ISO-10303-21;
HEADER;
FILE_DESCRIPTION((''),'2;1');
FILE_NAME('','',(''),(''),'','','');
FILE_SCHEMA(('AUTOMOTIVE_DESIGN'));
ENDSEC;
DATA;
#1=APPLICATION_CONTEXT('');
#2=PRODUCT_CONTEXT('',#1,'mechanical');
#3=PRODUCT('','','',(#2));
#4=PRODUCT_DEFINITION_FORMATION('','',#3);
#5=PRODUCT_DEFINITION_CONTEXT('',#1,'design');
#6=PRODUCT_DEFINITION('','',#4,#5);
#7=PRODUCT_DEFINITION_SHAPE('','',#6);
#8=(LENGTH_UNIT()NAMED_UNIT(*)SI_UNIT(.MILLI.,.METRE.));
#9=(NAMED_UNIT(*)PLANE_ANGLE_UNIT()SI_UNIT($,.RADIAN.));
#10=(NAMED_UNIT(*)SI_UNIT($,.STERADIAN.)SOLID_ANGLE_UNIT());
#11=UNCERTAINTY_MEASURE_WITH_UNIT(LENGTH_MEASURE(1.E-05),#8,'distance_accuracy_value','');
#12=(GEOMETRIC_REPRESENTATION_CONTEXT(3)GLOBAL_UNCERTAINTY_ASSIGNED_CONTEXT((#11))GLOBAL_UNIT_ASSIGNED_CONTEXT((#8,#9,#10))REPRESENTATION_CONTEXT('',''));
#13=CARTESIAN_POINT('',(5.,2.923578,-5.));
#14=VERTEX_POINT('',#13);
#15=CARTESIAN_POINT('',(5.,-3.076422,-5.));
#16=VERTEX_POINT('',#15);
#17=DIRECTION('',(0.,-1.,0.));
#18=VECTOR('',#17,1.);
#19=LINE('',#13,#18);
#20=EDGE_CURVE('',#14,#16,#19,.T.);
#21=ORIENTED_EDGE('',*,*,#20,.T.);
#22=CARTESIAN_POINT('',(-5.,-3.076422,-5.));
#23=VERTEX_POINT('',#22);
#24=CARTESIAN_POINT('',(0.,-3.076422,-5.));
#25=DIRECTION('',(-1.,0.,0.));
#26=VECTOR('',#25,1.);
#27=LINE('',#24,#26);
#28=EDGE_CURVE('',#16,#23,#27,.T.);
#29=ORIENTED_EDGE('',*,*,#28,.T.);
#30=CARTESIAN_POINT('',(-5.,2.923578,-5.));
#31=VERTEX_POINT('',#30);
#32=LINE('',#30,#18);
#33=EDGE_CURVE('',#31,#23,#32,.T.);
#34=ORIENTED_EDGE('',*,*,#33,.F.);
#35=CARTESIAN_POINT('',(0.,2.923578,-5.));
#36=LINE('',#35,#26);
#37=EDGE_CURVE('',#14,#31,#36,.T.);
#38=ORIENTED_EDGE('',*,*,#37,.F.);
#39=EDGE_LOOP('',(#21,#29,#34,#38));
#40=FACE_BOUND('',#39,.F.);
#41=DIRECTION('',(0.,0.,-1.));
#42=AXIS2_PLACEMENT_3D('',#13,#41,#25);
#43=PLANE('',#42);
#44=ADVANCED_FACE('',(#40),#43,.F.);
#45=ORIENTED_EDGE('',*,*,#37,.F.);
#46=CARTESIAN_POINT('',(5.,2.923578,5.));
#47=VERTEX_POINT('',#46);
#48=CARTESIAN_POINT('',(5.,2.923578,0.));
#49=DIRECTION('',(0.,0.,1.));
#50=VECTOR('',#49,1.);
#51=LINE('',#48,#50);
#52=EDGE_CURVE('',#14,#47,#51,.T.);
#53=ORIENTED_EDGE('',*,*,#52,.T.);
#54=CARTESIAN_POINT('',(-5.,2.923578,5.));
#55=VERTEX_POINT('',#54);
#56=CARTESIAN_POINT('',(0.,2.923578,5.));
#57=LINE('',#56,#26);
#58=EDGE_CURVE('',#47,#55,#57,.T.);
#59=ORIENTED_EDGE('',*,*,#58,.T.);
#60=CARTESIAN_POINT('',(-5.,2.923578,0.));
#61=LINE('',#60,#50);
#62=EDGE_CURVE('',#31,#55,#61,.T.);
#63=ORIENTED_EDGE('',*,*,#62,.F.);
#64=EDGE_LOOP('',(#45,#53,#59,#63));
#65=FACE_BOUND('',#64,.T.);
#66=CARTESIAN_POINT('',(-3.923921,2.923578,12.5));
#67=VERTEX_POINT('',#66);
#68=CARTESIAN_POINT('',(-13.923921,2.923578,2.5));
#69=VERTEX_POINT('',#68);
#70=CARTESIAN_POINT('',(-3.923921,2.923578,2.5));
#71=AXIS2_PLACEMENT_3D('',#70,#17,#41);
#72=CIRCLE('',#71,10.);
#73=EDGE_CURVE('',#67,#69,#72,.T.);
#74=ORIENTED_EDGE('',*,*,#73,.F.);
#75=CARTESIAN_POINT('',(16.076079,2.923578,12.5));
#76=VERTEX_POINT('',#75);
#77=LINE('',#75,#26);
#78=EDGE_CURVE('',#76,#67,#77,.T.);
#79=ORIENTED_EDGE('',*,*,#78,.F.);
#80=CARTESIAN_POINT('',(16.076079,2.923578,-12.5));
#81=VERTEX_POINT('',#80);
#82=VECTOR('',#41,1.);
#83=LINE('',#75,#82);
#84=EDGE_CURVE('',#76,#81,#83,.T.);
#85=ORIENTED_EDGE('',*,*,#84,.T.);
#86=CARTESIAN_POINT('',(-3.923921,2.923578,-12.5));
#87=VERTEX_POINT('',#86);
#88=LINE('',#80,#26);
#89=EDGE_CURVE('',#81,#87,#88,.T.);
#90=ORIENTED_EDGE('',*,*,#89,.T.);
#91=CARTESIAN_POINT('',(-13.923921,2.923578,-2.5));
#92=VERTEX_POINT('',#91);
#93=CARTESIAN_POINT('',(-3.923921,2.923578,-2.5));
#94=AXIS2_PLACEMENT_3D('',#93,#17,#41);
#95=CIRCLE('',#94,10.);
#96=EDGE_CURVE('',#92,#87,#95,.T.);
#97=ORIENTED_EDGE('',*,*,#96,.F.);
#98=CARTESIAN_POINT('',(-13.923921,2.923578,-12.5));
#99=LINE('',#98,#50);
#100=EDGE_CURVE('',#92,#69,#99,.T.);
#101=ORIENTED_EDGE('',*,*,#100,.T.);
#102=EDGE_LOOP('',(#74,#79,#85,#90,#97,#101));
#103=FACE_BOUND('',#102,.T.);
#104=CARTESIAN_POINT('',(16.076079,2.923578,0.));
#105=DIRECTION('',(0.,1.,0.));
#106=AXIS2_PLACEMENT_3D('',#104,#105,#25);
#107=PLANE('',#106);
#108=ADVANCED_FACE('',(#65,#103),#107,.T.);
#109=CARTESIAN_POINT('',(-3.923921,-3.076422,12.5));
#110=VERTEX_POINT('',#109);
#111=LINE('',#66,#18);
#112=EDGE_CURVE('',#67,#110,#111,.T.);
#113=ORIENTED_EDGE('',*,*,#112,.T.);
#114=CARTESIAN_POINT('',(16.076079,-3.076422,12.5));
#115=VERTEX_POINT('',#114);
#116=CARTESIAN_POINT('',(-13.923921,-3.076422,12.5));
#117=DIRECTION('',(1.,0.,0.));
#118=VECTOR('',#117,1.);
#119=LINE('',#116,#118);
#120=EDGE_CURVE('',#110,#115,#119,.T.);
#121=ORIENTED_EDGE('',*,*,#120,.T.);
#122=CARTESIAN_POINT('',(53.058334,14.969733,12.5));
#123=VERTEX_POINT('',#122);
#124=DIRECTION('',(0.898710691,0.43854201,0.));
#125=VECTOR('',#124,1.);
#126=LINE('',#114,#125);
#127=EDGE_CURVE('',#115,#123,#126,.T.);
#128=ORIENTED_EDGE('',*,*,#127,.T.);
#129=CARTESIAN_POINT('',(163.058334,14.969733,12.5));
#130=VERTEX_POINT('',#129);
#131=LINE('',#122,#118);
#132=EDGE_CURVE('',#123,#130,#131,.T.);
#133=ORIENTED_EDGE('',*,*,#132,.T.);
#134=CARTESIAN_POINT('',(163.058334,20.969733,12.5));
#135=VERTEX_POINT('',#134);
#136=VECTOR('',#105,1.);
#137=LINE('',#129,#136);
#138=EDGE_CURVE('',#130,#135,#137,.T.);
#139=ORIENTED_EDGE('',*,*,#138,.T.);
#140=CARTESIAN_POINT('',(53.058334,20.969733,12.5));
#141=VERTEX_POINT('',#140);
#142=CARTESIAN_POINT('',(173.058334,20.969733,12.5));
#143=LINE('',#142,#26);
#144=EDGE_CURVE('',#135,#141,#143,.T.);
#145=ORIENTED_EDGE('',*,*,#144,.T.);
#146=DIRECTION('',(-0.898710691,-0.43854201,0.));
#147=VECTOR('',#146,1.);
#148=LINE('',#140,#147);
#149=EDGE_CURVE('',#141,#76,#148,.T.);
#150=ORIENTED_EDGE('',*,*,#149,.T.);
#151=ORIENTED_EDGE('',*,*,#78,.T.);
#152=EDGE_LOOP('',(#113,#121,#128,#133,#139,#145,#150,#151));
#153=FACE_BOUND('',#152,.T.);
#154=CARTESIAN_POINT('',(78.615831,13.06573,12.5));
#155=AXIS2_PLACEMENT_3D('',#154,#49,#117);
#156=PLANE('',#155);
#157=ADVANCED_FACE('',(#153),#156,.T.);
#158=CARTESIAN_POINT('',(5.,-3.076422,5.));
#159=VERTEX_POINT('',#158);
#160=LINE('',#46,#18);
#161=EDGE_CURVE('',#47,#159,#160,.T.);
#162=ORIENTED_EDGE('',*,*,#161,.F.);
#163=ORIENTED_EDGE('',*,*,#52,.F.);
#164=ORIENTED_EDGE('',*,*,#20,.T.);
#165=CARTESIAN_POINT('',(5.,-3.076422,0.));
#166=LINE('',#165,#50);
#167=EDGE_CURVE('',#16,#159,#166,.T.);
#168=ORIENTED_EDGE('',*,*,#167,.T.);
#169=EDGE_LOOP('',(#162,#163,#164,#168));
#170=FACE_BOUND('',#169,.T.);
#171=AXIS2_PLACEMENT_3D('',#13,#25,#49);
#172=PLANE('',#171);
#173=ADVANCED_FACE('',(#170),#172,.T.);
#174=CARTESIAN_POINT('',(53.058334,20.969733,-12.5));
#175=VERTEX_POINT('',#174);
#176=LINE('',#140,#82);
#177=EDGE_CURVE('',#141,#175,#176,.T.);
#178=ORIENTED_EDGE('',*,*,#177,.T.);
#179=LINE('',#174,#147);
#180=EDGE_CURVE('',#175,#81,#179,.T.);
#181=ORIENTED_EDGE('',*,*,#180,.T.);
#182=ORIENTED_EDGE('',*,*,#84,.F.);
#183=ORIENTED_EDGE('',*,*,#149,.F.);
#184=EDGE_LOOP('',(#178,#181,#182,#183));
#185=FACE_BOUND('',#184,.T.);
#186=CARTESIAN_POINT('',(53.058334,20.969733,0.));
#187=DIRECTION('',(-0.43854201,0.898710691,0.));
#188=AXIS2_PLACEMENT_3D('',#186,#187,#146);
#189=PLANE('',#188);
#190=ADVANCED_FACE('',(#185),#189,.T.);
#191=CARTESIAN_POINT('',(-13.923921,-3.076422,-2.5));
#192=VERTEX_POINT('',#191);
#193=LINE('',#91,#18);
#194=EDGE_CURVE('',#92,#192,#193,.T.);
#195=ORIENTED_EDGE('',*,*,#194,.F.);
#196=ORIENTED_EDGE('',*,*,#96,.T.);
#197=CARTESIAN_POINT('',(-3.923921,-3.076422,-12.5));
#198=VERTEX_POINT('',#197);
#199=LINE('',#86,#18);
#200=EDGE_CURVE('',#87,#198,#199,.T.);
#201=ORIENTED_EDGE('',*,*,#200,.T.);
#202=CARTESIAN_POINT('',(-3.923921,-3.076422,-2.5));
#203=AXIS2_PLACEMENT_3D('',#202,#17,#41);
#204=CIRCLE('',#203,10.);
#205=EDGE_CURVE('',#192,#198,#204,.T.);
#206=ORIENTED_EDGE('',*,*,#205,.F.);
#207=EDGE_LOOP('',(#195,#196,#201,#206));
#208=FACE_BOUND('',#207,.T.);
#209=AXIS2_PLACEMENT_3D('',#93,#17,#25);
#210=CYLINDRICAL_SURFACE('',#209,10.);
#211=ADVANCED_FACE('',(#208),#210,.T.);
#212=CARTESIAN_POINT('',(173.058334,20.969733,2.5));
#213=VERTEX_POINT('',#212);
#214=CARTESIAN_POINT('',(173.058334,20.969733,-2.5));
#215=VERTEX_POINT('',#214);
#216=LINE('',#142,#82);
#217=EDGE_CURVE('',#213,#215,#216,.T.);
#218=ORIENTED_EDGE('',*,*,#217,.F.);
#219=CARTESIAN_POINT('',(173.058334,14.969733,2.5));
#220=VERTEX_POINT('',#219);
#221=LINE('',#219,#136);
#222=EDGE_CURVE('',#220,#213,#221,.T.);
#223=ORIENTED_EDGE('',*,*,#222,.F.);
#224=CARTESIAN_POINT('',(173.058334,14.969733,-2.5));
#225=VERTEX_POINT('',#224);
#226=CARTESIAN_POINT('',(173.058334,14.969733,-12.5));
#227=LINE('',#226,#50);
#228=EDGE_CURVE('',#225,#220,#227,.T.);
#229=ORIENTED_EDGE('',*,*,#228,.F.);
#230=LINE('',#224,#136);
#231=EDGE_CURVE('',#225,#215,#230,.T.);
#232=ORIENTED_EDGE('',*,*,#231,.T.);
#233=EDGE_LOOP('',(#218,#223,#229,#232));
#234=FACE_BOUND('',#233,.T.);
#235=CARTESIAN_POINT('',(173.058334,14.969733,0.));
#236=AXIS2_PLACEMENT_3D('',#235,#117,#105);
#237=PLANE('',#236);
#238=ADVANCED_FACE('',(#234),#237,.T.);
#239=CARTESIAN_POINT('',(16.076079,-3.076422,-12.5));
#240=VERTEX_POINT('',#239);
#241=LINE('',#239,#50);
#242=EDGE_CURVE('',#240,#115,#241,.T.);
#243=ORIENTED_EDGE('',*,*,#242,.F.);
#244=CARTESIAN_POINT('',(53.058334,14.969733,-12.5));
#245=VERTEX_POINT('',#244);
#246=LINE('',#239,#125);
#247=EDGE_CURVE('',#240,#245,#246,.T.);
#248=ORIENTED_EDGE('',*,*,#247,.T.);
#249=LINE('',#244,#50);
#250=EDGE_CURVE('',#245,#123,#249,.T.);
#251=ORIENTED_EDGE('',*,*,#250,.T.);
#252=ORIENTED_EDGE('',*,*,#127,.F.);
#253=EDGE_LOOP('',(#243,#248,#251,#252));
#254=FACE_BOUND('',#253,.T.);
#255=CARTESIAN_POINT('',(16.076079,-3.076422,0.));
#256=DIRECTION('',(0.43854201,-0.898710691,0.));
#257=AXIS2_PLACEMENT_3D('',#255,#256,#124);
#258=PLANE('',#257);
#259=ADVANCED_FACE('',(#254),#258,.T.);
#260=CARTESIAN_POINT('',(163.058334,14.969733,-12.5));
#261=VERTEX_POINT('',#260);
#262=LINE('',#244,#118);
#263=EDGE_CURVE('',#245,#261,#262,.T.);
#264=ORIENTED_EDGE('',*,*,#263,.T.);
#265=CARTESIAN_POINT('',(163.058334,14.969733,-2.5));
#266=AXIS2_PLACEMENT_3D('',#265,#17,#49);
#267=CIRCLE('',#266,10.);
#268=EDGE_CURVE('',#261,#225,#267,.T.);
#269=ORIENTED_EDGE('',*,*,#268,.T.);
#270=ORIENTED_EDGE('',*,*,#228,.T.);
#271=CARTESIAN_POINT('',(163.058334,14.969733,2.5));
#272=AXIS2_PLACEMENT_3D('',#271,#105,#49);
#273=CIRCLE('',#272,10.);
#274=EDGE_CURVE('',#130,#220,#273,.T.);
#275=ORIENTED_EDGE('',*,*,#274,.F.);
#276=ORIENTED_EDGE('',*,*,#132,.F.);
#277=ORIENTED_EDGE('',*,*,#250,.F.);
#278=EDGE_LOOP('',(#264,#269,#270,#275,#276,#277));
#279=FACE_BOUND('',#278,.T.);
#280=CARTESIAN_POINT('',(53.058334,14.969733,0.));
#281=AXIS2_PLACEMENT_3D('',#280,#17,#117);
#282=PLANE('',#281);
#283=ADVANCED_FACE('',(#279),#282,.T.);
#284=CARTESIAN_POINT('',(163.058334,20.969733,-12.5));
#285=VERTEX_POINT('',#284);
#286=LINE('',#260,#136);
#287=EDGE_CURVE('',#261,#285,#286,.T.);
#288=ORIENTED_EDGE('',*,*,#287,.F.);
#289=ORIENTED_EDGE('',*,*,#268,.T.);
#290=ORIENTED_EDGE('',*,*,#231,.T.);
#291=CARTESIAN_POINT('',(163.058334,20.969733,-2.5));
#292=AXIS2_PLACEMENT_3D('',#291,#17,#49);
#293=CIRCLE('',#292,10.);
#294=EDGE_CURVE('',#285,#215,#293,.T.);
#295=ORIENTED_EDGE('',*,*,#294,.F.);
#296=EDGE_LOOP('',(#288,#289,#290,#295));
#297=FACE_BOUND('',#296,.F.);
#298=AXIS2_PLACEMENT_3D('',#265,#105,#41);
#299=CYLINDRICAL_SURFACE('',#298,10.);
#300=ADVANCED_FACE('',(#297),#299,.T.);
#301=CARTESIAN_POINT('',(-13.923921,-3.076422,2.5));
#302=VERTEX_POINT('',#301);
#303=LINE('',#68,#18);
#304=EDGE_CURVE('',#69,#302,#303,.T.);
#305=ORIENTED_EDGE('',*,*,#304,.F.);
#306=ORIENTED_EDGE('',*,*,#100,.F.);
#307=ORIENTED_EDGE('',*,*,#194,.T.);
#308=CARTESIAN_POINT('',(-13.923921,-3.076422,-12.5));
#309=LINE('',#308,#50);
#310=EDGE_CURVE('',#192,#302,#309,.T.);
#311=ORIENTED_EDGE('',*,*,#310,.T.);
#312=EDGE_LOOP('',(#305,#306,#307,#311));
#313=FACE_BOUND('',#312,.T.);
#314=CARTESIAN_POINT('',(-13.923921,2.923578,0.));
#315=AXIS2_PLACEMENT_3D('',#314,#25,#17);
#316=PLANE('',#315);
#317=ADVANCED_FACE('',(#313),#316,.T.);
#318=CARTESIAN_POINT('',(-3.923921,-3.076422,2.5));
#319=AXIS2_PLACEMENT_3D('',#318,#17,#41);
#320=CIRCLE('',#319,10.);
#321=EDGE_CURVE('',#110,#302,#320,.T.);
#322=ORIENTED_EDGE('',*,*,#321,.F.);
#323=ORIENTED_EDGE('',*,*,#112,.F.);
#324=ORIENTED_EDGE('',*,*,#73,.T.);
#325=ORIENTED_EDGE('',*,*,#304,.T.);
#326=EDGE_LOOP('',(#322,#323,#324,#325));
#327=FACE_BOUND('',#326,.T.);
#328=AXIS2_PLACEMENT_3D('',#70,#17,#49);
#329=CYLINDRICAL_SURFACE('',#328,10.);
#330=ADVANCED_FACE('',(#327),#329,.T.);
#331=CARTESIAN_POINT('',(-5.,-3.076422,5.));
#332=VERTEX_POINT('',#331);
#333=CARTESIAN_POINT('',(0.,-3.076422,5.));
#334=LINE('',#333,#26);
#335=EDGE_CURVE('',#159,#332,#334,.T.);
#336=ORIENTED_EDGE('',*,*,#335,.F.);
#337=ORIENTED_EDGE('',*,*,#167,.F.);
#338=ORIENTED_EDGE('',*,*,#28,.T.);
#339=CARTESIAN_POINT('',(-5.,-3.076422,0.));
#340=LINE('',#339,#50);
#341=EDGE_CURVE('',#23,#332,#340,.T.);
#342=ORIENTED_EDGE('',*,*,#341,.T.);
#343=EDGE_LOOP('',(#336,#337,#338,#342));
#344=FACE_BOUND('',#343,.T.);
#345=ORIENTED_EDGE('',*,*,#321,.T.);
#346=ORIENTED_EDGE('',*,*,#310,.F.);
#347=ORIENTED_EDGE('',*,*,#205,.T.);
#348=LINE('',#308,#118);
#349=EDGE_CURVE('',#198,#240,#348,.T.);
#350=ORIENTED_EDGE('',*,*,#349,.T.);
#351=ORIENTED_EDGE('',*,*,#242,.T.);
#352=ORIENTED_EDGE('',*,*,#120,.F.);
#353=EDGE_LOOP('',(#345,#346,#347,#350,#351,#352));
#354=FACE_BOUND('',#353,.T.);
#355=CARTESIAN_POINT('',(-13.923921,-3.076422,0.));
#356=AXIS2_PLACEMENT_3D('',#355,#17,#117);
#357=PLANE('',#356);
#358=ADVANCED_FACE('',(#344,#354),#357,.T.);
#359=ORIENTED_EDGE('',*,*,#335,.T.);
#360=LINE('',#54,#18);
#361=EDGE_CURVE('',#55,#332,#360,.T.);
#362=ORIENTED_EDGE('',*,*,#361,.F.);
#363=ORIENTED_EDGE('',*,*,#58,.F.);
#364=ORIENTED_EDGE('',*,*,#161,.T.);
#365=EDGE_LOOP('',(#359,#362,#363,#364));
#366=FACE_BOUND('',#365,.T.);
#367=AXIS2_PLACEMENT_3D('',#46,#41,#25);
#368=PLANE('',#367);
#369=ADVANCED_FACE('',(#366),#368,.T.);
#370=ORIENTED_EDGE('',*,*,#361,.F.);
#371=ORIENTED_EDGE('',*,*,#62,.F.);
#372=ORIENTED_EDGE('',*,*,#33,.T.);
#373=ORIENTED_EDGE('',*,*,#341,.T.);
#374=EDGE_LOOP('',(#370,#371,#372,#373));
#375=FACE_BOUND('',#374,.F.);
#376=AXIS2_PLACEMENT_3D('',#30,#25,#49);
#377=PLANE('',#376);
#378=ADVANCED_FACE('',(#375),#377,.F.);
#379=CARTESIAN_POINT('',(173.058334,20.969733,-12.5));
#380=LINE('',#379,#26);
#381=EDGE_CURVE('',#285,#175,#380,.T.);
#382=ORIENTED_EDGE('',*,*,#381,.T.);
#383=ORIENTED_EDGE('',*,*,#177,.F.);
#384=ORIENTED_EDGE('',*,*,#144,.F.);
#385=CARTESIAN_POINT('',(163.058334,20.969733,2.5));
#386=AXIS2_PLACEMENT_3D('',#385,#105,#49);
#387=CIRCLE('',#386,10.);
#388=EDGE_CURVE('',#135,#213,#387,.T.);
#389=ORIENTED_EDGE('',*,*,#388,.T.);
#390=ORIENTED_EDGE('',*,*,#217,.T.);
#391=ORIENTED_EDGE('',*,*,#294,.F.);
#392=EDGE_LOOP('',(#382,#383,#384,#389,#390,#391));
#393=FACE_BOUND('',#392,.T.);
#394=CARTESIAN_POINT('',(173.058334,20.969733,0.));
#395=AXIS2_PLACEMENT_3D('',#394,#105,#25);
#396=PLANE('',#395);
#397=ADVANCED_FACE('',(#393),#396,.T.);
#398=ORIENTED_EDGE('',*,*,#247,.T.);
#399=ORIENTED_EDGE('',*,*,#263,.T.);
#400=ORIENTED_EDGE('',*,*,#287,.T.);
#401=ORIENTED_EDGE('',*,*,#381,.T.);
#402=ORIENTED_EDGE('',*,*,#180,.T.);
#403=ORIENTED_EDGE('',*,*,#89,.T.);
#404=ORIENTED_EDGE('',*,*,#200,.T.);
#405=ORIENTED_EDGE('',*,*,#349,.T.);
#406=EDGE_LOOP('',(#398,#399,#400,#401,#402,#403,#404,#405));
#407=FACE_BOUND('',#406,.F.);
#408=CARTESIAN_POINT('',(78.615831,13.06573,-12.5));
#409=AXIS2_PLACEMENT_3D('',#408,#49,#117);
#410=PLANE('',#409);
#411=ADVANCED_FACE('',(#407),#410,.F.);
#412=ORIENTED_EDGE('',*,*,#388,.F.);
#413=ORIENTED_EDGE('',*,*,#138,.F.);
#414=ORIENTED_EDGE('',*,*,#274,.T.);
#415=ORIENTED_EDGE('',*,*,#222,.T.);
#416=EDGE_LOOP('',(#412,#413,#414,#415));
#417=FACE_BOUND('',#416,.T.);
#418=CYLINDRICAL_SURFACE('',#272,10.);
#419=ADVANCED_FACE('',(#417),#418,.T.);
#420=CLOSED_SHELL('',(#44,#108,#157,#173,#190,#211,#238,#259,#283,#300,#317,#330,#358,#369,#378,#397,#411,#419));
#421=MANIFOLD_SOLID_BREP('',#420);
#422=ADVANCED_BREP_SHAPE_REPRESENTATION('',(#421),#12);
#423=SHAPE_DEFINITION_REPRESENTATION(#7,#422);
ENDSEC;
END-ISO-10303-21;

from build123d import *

# Parameters (mm, degrees)
F1_DEPTH = 12.5
F2_R     = 10
F3_R     = 10
F4_W     = 10
F4_H     = 10
F5_DEPTH = 6


with BuildPart() as f1:
    # F0 (on Top) → F1 (new body, symmetric)
    with BuildSketch(Plane.XY):
        Polygon((16.076079, 2.923578), (-13.923921, 2.923578), (-13.923921, -3.076422), (16.076079, -3.076422), (53.058334, 14.969733), (173.058334, 14.969733), (173.058334, 20.969733), (53.058334, 20.969733), align=None)
    extrude(amount=F1_DEPTH, both=True)

    # F2
    f2_edges = [f1.edges().sort_by_distance(p)[0] for p in [
        (-13.923921, -0.076422, 12.5),
    ]]
    fillet(f2_edges, radius=F2_R)

    # F3
    f3_edges = [f1.edges().sort_by_distance(p)[0] for p in [
        (-13.923921, -0.076422, -12.5),
        (173.058334, 17.969733, 12.5),
        (173.058334, 17.969733, -12.5),
    ]]
    fillet(f3_edges, radius=F3_R)

    # F4 (on face) → F5 (cut, through all)
    with BuildSketch(Plane(origin=(0, 2.923578, 0), x_dir=(-1, 0, 0), z_dir=(0, 1, 0))):
        Rectangle(F4_W, F4_H)
    extrude(amount=-F5_DEPTH, mode=Mode.SUBTRACT)


solid = f1.part
